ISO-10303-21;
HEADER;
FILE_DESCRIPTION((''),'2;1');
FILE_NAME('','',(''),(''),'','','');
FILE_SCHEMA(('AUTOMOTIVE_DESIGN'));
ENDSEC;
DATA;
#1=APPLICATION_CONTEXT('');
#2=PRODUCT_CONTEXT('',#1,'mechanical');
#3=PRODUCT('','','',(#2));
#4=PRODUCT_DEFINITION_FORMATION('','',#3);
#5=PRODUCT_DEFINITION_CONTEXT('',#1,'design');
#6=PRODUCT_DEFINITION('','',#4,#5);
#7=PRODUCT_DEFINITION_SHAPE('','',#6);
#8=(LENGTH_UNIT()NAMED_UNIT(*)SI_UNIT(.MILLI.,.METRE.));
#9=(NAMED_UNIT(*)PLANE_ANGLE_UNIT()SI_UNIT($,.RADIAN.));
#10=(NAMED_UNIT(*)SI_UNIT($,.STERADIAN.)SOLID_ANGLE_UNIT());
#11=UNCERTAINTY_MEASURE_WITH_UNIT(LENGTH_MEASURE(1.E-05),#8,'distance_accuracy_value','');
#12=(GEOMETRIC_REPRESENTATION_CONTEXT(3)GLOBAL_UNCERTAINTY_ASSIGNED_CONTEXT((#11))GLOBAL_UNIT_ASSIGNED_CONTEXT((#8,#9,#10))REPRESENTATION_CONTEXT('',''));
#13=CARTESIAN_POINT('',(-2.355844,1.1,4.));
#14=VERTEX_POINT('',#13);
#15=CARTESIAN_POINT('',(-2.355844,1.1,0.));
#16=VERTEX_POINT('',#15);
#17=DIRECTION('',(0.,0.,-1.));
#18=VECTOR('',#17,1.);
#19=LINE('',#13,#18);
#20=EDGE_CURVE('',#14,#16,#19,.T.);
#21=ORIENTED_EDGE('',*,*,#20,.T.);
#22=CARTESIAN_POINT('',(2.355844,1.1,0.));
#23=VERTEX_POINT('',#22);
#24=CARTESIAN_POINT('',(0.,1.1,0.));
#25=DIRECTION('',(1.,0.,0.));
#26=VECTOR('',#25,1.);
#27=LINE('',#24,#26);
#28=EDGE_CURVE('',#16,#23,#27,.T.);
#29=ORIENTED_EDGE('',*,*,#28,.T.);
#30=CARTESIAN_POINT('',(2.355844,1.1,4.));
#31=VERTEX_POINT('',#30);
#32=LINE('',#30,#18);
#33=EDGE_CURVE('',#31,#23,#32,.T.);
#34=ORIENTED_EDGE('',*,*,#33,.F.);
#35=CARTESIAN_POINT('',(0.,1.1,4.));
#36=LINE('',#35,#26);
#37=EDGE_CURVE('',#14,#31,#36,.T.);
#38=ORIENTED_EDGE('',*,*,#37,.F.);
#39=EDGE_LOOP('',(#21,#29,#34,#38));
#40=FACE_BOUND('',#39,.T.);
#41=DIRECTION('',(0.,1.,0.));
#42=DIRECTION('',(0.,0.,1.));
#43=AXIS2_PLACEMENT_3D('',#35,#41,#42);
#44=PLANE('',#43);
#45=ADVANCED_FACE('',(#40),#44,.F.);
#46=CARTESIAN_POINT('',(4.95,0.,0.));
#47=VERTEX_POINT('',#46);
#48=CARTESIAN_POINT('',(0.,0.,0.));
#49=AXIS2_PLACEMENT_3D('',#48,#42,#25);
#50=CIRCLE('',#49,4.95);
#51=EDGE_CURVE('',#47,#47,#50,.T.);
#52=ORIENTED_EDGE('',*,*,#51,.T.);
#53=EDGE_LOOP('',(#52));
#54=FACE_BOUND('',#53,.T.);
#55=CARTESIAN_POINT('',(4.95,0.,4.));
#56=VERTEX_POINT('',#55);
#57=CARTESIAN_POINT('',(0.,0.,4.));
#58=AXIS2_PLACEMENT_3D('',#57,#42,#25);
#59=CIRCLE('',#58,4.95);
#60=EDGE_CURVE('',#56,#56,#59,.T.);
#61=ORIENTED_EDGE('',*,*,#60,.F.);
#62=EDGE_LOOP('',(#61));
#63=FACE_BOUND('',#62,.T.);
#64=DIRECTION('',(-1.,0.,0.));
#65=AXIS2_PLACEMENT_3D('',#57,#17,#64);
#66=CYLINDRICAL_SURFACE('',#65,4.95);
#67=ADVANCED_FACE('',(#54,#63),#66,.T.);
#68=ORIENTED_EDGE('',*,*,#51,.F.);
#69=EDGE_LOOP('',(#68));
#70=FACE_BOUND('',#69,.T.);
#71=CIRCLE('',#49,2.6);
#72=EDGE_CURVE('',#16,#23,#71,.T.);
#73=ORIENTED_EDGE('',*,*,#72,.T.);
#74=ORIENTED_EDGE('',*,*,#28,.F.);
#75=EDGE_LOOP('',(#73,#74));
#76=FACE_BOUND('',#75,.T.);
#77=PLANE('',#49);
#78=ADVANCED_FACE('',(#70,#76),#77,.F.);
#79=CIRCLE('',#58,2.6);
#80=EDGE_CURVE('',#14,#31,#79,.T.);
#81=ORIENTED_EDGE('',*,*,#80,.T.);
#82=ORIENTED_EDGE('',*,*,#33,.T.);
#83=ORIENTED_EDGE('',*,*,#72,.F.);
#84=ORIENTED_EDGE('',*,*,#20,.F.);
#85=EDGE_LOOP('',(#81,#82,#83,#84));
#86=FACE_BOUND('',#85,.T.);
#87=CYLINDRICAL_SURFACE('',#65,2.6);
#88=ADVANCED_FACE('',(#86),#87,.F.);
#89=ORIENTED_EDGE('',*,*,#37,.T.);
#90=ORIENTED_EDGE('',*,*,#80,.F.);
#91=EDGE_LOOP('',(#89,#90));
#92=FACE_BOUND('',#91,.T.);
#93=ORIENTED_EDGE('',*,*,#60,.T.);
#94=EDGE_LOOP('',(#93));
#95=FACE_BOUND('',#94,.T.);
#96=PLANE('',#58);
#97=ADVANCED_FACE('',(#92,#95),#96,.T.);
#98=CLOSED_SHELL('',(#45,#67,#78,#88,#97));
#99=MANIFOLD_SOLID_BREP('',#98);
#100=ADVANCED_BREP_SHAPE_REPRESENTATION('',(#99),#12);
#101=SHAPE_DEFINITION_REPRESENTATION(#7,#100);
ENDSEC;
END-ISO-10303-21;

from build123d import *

# Parameters (mm, degrees)
SKIZZE1_R                       = 4.95
AUFSATZ_LINEAR_AUSTRAGEN1_DEPTH = 4


with BuildPart() as part:
    # Skizze1 → Aufsatz-Linear austragen1 (new body)
    with BuildSketch(Plane.XY):
        Circle(SKIZZE1_R)
        with BuildLine():
            Line((-2.355843798, 1.1), (2.355843798, 1.1))
            ThreePointArc((2.355843798, 1.1), (0, -2.6), (-2.355843798, 1.1))
        make_face(mode=Mode.SUBTRACT)
    extrude(amount=AUFSATZ_LINEAR_AUSTRAGEN1_DEPTH)


solid = part.part
